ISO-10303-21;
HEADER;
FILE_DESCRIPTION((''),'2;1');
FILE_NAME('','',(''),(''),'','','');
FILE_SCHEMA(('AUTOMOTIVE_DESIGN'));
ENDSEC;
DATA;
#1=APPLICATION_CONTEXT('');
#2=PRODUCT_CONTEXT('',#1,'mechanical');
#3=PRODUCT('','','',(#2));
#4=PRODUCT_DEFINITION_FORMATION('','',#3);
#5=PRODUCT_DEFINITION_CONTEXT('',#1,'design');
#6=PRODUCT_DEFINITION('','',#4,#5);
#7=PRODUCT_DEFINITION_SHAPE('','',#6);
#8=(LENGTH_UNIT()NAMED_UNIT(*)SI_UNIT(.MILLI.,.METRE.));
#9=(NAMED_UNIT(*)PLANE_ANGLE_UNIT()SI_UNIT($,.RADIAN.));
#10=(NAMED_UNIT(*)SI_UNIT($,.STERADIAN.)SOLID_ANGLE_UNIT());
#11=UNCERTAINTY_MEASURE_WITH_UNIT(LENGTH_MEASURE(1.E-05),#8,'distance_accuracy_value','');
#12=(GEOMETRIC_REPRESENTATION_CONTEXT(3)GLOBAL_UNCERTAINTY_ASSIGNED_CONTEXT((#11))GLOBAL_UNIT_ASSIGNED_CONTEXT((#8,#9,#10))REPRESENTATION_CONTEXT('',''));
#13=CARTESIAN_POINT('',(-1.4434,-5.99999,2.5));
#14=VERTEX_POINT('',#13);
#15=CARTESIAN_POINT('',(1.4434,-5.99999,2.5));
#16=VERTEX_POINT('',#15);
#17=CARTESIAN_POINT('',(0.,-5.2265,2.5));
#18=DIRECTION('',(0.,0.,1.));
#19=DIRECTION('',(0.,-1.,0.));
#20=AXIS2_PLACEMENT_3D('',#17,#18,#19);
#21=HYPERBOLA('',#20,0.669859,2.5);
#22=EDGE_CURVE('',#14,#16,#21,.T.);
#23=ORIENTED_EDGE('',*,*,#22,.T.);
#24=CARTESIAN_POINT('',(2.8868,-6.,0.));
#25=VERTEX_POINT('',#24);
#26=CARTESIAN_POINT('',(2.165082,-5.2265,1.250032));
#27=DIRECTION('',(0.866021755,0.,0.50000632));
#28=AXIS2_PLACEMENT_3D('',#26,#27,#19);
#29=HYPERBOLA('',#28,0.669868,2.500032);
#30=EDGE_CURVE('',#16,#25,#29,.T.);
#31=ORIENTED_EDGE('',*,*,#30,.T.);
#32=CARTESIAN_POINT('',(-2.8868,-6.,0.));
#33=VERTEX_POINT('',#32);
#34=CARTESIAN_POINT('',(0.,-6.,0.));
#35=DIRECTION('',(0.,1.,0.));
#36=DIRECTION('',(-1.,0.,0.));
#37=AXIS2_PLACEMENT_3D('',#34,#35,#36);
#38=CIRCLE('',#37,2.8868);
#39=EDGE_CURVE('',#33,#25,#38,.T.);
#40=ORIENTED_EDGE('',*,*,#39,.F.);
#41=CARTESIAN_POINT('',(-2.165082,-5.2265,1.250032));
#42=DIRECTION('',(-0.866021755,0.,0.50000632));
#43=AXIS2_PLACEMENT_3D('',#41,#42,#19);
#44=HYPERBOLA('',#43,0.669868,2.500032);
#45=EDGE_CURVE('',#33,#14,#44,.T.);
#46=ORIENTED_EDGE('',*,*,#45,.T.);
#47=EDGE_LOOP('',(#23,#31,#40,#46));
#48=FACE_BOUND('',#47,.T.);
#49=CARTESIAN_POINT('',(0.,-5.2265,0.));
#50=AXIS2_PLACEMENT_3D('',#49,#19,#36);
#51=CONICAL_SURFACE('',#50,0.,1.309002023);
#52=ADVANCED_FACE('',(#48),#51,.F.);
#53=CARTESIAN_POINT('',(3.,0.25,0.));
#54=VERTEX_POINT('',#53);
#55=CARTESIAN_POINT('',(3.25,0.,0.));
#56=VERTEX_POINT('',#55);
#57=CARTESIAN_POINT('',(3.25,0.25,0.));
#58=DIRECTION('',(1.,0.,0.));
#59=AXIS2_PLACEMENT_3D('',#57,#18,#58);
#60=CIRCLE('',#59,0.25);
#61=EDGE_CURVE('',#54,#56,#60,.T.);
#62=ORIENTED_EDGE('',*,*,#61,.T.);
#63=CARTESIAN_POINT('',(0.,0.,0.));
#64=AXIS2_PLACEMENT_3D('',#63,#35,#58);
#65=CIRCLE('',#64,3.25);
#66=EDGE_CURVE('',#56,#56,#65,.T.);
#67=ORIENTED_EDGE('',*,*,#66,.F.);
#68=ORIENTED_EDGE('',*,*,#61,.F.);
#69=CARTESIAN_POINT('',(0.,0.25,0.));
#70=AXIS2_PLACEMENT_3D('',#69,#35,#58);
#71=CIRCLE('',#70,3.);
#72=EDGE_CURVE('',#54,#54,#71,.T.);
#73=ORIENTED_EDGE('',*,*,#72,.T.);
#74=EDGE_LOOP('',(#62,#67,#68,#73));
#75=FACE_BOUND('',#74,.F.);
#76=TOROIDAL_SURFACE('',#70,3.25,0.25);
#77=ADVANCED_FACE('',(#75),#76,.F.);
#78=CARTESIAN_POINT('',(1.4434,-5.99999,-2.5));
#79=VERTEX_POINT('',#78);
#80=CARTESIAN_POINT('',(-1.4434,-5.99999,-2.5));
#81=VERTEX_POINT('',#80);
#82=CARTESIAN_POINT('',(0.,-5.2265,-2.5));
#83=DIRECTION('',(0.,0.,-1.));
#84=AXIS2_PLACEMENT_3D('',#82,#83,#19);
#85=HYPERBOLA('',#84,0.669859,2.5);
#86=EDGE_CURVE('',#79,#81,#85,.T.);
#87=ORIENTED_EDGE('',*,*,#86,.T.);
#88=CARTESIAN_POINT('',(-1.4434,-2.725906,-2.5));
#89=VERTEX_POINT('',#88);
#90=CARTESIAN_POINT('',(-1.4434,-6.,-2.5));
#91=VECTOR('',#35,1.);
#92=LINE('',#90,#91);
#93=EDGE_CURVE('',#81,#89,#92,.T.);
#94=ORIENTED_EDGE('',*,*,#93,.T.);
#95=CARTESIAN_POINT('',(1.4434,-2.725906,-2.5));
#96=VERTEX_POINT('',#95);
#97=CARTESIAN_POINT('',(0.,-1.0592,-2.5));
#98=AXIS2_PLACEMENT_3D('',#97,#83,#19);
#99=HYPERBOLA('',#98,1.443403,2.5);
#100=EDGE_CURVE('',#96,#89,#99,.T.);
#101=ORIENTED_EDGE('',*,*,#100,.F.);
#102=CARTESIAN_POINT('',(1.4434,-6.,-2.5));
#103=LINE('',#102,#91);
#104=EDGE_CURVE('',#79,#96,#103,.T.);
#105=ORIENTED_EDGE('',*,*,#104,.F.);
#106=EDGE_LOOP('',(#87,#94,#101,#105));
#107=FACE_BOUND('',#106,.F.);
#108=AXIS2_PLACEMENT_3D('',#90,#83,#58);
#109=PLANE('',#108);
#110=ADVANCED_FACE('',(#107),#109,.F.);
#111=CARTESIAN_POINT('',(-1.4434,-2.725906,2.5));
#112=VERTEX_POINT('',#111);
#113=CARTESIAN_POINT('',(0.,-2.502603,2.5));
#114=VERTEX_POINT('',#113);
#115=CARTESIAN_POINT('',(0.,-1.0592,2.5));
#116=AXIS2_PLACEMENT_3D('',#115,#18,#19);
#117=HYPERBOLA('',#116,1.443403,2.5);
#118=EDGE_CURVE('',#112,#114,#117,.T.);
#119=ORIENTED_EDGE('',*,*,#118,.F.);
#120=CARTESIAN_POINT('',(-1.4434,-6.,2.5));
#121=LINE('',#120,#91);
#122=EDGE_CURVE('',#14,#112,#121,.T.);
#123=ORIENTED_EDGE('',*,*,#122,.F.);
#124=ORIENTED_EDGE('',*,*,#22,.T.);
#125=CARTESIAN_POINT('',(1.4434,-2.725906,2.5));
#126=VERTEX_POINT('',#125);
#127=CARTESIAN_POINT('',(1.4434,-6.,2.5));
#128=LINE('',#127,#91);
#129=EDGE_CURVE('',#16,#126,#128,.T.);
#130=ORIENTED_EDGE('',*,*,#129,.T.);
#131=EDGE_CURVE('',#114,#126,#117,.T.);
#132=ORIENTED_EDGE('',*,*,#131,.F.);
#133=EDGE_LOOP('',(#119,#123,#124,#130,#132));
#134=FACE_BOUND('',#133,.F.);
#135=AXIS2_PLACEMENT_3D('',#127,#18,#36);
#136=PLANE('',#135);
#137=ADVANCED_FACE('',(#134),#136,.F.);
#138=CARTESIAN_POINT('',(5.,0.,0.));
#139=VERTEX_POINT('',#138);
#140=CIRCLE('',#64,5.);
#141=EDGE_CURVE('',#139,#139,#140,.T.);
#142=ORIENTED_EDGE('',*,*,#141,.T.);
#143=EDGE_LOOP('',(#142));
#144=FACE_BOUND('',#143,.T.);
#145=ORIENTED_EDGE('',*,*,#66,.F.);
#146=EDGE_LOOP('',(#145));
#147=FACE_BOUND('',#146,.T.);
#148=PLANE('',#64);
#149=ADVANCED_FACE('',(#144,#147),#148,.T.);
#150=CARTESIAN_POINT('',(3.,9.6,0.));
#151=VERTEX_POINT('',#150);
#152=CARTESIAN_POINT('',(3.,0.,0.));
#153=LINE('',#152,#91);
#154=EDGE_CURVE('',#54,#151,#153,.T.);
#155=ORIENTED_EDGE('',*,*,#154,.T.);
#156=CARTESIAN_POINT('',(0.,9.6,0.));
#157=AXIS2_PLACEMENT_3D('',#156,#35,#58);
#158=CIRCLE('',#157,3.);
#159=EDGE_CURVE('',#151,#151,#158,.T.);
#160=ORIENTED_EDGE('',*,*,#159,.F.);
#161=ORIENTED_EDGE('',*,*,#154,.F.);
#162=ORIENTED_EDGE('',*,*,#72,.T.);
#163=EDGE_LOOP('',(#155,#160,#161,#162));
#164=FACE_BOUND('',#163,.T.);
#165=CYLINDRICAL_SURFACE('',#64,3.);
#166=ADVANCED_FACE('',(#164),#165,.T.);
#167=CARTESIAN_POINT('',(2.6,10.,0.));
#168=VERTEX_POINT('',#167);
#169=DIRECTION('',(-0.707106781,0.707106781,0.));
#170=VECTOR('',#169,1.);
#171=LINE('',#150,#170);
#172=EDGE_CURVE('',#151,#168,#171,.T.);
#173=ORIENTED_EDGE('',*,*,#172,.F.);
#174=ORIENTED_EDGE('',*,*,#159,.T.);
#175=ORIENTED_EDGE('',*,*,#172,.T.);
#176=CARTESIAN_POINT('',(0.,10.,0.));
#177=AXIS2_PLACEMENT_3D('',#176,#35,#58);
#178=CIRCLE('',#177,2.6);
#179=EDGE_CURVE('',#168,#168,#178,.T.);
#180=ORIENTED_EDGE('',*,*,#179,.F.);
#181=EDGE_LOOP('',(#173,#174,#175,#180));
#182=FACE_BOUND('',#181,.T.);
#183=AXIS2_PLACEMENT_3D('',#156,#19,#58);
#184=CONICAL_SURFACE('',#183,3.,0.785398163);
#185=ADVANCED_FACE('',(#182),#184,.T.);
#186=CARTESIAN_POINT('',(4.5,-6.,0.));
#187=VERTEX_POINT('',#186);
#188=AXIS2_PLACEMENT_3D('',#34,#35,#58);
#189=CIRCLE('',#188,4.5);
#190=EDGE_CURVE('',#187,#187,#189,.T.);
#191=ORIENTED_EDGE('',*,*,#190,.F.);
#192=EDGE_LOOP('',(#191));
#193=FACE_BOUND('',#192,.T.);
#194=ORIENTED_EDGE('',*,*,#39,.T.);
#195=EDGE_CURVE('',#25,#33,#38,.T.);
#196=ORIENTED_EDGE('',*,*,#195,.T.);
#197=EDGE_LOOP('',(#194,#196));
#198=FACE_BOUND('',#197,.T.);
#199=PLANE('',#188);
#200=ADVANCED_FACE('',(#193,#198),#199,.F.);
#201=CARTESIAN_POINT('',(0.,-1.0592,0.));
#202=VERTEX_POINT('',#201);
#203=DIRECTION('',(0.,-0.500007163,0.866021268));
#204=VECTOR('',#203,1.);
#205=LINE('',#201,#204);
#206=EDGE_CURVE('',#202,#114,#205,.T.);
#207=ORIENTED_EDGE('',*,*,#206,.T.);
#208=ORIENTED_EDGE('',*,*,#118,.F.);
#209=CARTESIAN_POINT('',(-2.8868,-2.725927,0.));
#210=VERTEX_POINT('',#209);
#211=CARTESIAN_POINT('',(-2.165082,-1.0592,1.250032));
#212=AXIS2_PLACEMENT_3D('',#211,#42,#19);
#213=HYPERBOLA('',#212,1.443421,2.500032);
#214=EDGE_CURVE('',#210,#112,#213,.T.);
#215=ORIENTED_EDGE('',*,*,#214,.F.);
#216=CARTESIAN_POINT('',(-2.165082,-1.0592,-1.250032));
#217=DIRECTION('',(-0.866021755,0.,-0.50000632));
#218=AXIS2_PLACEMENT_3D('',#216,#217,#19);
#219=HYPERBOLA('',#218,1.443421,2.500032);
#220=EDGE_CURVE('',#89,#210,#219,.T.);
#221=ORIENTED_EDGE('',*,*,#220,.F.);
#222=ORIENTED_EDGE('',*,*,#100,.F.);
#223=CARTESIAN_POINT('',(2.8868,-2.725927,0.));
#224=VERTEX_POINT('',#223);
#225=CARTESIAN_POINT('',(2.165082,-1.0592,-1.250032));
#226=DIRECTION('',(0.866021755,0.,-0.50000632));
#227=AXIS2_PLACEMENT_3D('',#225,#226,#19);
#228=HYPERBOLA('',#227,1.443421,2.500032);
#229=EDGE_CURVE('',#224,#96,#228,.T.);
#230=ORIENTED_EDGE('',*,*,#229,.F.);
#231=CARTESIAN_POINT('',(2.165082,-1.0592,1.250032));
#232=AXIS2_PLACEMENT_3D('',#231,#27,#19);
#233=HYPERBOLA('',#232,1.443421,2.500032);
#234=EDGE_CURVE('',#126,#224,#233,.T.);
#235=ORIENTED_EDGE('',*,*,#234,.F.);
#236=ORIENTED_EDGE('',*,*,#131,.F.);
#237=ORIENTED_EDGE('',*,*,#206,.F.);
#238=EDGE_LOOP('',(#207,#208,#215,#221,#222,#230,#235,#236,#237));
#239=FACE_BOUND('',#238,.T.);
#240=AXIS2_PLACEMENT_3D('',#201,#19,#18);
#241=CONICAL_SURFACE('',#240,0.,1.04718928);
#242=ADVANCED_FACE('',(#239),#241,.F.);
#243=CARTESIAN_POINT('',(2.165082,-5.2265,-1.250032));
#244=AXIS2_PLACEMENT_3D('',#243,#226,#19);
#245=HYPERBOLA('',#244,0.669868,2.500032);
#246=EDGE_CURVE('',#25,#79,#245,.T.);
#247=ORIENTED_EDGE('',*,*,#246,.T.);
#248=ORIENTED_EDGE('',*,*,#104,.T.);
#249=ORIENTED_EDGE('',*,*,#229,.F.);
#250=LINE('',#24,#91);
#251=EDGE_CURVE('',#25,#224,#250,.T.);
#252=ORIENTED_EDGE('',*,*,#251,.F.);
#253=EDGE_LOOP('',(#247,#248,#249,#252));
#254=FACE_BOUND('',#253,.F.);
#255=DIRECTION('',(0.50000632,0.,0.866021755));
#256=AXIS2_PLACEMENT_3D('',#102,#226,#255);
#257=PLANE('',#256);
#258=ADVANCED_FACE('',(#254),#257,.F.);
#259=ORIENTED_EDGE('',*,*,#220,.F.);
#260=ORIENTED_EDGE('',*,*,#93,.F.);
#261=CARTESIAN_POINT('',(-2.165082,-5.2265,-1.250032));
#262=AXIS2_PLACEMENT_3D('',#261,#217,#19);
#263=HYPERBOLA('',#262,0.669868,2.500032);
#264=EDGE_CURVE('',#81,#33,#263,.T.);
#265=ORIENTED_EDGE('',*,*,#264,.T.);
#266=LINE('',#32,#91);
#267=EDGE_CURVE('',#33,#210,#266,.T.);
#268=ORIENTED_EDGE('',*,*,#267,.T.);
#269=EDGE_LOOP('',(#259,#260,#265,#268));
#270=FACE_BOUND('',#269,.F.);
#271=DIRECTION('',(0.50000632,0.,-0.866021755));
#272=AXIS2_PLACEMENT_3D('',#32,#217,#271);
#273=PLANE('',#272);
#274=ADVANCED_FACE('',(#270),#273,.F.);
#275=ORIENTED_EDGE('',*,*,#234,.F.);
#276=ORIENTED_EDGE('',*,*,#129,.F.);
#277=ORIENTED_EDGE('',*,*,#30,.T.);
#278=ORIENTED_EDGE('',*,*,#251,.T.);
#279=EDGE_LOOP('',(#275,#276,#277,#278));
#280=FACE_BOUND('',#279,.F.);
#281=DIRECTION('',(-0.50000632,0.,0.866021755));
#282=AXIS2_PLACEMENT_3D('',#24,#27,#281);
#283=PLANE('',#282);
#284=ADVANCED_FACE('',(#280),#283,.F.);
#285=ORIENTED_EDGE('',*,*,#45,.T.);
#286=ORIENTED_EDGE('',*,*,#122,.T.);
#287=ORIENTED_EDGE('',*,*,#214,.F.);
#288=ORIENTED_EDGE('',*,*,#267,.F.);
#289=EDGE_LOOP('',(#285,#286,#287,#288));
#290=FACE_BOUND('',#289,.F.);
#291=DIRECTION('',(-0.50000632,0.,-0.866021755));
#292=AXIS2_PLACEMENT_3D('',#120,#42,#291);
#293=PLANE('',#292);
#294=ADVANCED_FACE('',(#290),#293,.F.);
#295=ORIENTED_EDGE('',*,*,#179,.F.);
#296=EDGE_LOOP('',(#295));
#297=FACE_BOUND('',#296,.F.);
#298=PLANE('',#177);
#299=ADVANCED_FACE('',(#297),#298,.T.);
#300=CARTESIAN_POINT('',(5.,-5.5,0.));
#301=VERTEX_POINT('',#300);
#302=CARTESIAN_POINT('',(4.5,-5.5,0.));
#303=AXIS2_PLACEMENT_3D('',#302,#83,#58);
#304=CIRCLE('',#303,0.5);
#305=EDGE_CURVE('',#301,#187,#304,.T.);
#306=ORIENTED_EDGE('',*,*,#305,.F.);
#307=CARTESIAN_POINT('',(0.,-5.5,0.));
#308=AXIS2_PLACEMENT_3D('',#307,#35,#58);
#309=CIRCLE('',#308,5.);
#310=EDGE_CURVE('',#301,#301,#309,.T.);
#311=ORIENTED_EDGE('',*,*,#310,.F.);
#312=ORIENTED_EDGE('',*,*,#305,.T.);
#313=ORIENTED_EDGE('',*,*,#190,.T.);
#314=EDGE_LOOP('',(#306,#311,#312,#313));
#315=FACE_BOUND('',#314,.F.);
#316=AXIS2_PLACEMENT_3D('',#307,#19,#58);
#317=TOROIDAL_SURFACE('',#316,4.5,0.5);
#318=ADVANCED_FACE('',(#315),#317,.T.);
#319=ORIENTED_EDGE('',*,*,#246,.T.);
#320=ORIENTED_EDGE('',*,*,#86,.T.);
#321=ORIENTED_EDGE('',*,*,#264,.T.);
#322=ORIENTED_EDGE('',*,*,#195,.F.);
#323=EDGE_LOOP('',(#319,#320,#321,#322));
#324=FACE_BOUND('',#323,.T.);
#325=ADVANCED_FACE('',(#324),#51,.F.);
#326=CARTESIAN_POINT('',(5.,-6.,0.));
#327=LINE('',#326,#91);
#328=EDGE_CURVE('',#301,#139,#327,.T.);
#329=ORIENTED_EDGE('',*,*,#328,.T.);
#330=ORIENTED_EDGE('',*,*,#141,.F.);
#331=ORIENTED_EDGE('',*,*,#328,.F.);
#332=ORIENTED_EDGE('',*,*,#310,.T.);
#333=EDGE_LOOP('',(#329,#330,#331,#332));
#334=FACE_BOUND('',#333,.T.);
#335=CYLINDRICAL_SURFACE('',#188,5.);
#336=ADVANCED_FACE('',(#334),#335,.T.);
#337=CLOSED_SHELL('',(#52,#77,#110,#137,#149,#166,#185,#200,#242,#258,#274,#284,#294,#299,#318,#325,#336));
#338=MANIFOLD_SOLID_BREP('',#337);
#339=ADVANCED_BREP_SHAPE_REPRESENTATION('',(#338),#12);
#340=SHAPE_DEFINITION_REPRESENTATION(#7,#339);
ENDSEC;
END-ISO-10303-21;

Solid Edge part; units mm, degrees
sketch "Sketch1" plane through (0, 0, 0) normal (0, 0, 1) x (1, 0, 0)
  line L0 (3, 0) -> (3, 10)
  line L1 (0, 10) -> (3, 10)
  line L2 (0, 0) -> (0, 10)
  line L3 (0, 0) -> (0, -6)
  line L4 (0, -6) -> (5, -6)
  line L5 (5, -6) -> (5, 0)
  line L6 (5, 0) -> (3, 0)
revolve "RevolvedProtrusion1" add sketch "Sketch1" angle 360 about axis through (0, 0, 0) along (0, 1, 0)
sketch "Sketch2" plane through (0, 0, 0) normal (1, 0, 0) x (0, 1, 0)
  line L0 (-6, 3.3615) -> (-3, 3.3615)
  line L1 (-1.0592, 0) -> (-3, 3.3615)
  line L2 (-6, 0) -> (-1.0592, 0)
  line L3 (-6, 0) -> (-6, 3.3615)
revolve "RevolvedCutout1" cut sketch "Sketch2" angle 360 about axis through (0, -4.5, 0) along (0, 1, 0)
sketch "Sketch3" plane through (0, -6, 0) normal (0, -1, 0) x (0, 0, 1)
  circle A0 centre (0, 0) radius 3.3615
  line L0 (-2.5, -1.4434) -> (0, -2.8868)
  line L1 (0, -2.8868) -> (2.5, -1.4434)
  line L2 (2.5, -1.4434) -> (2.5, 1.4434)
  line L3 (2.5, 1.4434) -> (0, 2.8868)
  line L4 (0, 2.8868) -> (-2.5, 1.4434)
  line L5 (-2.5, 1.4434) -> (-2.5, -1.4434)
  dimension "D1" = 5
extrude "Protrusion1" add sketch "Sketch3" against normal up to next
sketch "Sketch4" plane through (0, 0, 0) normal (0, 0, 1) x (1, 0, 0)
  line L0 (-2.8868, -6) -> (0, -6)
  line L1 (0, -6) -> (0, -5.2265)
  line L2 (0, -5.2265) -> (-2.8868, -6)
revolve "RevolvedCutout2" cut sketch "Sketch4" angle 360 about axis through (0, -4.5, 0) along (0, 1, 0)
fillet "Round1" radius 0.25 1 edges at (0, 0, -3)
fillet "Round2" radius 0.5 1 edges at (0, -6, -5)
chamfer "倒斜角_2" distance 0.4 angle 45 1 edges at (0, 10, -3)
cosmetic_thread "螺纹_3" size "M6" thread depth 8
